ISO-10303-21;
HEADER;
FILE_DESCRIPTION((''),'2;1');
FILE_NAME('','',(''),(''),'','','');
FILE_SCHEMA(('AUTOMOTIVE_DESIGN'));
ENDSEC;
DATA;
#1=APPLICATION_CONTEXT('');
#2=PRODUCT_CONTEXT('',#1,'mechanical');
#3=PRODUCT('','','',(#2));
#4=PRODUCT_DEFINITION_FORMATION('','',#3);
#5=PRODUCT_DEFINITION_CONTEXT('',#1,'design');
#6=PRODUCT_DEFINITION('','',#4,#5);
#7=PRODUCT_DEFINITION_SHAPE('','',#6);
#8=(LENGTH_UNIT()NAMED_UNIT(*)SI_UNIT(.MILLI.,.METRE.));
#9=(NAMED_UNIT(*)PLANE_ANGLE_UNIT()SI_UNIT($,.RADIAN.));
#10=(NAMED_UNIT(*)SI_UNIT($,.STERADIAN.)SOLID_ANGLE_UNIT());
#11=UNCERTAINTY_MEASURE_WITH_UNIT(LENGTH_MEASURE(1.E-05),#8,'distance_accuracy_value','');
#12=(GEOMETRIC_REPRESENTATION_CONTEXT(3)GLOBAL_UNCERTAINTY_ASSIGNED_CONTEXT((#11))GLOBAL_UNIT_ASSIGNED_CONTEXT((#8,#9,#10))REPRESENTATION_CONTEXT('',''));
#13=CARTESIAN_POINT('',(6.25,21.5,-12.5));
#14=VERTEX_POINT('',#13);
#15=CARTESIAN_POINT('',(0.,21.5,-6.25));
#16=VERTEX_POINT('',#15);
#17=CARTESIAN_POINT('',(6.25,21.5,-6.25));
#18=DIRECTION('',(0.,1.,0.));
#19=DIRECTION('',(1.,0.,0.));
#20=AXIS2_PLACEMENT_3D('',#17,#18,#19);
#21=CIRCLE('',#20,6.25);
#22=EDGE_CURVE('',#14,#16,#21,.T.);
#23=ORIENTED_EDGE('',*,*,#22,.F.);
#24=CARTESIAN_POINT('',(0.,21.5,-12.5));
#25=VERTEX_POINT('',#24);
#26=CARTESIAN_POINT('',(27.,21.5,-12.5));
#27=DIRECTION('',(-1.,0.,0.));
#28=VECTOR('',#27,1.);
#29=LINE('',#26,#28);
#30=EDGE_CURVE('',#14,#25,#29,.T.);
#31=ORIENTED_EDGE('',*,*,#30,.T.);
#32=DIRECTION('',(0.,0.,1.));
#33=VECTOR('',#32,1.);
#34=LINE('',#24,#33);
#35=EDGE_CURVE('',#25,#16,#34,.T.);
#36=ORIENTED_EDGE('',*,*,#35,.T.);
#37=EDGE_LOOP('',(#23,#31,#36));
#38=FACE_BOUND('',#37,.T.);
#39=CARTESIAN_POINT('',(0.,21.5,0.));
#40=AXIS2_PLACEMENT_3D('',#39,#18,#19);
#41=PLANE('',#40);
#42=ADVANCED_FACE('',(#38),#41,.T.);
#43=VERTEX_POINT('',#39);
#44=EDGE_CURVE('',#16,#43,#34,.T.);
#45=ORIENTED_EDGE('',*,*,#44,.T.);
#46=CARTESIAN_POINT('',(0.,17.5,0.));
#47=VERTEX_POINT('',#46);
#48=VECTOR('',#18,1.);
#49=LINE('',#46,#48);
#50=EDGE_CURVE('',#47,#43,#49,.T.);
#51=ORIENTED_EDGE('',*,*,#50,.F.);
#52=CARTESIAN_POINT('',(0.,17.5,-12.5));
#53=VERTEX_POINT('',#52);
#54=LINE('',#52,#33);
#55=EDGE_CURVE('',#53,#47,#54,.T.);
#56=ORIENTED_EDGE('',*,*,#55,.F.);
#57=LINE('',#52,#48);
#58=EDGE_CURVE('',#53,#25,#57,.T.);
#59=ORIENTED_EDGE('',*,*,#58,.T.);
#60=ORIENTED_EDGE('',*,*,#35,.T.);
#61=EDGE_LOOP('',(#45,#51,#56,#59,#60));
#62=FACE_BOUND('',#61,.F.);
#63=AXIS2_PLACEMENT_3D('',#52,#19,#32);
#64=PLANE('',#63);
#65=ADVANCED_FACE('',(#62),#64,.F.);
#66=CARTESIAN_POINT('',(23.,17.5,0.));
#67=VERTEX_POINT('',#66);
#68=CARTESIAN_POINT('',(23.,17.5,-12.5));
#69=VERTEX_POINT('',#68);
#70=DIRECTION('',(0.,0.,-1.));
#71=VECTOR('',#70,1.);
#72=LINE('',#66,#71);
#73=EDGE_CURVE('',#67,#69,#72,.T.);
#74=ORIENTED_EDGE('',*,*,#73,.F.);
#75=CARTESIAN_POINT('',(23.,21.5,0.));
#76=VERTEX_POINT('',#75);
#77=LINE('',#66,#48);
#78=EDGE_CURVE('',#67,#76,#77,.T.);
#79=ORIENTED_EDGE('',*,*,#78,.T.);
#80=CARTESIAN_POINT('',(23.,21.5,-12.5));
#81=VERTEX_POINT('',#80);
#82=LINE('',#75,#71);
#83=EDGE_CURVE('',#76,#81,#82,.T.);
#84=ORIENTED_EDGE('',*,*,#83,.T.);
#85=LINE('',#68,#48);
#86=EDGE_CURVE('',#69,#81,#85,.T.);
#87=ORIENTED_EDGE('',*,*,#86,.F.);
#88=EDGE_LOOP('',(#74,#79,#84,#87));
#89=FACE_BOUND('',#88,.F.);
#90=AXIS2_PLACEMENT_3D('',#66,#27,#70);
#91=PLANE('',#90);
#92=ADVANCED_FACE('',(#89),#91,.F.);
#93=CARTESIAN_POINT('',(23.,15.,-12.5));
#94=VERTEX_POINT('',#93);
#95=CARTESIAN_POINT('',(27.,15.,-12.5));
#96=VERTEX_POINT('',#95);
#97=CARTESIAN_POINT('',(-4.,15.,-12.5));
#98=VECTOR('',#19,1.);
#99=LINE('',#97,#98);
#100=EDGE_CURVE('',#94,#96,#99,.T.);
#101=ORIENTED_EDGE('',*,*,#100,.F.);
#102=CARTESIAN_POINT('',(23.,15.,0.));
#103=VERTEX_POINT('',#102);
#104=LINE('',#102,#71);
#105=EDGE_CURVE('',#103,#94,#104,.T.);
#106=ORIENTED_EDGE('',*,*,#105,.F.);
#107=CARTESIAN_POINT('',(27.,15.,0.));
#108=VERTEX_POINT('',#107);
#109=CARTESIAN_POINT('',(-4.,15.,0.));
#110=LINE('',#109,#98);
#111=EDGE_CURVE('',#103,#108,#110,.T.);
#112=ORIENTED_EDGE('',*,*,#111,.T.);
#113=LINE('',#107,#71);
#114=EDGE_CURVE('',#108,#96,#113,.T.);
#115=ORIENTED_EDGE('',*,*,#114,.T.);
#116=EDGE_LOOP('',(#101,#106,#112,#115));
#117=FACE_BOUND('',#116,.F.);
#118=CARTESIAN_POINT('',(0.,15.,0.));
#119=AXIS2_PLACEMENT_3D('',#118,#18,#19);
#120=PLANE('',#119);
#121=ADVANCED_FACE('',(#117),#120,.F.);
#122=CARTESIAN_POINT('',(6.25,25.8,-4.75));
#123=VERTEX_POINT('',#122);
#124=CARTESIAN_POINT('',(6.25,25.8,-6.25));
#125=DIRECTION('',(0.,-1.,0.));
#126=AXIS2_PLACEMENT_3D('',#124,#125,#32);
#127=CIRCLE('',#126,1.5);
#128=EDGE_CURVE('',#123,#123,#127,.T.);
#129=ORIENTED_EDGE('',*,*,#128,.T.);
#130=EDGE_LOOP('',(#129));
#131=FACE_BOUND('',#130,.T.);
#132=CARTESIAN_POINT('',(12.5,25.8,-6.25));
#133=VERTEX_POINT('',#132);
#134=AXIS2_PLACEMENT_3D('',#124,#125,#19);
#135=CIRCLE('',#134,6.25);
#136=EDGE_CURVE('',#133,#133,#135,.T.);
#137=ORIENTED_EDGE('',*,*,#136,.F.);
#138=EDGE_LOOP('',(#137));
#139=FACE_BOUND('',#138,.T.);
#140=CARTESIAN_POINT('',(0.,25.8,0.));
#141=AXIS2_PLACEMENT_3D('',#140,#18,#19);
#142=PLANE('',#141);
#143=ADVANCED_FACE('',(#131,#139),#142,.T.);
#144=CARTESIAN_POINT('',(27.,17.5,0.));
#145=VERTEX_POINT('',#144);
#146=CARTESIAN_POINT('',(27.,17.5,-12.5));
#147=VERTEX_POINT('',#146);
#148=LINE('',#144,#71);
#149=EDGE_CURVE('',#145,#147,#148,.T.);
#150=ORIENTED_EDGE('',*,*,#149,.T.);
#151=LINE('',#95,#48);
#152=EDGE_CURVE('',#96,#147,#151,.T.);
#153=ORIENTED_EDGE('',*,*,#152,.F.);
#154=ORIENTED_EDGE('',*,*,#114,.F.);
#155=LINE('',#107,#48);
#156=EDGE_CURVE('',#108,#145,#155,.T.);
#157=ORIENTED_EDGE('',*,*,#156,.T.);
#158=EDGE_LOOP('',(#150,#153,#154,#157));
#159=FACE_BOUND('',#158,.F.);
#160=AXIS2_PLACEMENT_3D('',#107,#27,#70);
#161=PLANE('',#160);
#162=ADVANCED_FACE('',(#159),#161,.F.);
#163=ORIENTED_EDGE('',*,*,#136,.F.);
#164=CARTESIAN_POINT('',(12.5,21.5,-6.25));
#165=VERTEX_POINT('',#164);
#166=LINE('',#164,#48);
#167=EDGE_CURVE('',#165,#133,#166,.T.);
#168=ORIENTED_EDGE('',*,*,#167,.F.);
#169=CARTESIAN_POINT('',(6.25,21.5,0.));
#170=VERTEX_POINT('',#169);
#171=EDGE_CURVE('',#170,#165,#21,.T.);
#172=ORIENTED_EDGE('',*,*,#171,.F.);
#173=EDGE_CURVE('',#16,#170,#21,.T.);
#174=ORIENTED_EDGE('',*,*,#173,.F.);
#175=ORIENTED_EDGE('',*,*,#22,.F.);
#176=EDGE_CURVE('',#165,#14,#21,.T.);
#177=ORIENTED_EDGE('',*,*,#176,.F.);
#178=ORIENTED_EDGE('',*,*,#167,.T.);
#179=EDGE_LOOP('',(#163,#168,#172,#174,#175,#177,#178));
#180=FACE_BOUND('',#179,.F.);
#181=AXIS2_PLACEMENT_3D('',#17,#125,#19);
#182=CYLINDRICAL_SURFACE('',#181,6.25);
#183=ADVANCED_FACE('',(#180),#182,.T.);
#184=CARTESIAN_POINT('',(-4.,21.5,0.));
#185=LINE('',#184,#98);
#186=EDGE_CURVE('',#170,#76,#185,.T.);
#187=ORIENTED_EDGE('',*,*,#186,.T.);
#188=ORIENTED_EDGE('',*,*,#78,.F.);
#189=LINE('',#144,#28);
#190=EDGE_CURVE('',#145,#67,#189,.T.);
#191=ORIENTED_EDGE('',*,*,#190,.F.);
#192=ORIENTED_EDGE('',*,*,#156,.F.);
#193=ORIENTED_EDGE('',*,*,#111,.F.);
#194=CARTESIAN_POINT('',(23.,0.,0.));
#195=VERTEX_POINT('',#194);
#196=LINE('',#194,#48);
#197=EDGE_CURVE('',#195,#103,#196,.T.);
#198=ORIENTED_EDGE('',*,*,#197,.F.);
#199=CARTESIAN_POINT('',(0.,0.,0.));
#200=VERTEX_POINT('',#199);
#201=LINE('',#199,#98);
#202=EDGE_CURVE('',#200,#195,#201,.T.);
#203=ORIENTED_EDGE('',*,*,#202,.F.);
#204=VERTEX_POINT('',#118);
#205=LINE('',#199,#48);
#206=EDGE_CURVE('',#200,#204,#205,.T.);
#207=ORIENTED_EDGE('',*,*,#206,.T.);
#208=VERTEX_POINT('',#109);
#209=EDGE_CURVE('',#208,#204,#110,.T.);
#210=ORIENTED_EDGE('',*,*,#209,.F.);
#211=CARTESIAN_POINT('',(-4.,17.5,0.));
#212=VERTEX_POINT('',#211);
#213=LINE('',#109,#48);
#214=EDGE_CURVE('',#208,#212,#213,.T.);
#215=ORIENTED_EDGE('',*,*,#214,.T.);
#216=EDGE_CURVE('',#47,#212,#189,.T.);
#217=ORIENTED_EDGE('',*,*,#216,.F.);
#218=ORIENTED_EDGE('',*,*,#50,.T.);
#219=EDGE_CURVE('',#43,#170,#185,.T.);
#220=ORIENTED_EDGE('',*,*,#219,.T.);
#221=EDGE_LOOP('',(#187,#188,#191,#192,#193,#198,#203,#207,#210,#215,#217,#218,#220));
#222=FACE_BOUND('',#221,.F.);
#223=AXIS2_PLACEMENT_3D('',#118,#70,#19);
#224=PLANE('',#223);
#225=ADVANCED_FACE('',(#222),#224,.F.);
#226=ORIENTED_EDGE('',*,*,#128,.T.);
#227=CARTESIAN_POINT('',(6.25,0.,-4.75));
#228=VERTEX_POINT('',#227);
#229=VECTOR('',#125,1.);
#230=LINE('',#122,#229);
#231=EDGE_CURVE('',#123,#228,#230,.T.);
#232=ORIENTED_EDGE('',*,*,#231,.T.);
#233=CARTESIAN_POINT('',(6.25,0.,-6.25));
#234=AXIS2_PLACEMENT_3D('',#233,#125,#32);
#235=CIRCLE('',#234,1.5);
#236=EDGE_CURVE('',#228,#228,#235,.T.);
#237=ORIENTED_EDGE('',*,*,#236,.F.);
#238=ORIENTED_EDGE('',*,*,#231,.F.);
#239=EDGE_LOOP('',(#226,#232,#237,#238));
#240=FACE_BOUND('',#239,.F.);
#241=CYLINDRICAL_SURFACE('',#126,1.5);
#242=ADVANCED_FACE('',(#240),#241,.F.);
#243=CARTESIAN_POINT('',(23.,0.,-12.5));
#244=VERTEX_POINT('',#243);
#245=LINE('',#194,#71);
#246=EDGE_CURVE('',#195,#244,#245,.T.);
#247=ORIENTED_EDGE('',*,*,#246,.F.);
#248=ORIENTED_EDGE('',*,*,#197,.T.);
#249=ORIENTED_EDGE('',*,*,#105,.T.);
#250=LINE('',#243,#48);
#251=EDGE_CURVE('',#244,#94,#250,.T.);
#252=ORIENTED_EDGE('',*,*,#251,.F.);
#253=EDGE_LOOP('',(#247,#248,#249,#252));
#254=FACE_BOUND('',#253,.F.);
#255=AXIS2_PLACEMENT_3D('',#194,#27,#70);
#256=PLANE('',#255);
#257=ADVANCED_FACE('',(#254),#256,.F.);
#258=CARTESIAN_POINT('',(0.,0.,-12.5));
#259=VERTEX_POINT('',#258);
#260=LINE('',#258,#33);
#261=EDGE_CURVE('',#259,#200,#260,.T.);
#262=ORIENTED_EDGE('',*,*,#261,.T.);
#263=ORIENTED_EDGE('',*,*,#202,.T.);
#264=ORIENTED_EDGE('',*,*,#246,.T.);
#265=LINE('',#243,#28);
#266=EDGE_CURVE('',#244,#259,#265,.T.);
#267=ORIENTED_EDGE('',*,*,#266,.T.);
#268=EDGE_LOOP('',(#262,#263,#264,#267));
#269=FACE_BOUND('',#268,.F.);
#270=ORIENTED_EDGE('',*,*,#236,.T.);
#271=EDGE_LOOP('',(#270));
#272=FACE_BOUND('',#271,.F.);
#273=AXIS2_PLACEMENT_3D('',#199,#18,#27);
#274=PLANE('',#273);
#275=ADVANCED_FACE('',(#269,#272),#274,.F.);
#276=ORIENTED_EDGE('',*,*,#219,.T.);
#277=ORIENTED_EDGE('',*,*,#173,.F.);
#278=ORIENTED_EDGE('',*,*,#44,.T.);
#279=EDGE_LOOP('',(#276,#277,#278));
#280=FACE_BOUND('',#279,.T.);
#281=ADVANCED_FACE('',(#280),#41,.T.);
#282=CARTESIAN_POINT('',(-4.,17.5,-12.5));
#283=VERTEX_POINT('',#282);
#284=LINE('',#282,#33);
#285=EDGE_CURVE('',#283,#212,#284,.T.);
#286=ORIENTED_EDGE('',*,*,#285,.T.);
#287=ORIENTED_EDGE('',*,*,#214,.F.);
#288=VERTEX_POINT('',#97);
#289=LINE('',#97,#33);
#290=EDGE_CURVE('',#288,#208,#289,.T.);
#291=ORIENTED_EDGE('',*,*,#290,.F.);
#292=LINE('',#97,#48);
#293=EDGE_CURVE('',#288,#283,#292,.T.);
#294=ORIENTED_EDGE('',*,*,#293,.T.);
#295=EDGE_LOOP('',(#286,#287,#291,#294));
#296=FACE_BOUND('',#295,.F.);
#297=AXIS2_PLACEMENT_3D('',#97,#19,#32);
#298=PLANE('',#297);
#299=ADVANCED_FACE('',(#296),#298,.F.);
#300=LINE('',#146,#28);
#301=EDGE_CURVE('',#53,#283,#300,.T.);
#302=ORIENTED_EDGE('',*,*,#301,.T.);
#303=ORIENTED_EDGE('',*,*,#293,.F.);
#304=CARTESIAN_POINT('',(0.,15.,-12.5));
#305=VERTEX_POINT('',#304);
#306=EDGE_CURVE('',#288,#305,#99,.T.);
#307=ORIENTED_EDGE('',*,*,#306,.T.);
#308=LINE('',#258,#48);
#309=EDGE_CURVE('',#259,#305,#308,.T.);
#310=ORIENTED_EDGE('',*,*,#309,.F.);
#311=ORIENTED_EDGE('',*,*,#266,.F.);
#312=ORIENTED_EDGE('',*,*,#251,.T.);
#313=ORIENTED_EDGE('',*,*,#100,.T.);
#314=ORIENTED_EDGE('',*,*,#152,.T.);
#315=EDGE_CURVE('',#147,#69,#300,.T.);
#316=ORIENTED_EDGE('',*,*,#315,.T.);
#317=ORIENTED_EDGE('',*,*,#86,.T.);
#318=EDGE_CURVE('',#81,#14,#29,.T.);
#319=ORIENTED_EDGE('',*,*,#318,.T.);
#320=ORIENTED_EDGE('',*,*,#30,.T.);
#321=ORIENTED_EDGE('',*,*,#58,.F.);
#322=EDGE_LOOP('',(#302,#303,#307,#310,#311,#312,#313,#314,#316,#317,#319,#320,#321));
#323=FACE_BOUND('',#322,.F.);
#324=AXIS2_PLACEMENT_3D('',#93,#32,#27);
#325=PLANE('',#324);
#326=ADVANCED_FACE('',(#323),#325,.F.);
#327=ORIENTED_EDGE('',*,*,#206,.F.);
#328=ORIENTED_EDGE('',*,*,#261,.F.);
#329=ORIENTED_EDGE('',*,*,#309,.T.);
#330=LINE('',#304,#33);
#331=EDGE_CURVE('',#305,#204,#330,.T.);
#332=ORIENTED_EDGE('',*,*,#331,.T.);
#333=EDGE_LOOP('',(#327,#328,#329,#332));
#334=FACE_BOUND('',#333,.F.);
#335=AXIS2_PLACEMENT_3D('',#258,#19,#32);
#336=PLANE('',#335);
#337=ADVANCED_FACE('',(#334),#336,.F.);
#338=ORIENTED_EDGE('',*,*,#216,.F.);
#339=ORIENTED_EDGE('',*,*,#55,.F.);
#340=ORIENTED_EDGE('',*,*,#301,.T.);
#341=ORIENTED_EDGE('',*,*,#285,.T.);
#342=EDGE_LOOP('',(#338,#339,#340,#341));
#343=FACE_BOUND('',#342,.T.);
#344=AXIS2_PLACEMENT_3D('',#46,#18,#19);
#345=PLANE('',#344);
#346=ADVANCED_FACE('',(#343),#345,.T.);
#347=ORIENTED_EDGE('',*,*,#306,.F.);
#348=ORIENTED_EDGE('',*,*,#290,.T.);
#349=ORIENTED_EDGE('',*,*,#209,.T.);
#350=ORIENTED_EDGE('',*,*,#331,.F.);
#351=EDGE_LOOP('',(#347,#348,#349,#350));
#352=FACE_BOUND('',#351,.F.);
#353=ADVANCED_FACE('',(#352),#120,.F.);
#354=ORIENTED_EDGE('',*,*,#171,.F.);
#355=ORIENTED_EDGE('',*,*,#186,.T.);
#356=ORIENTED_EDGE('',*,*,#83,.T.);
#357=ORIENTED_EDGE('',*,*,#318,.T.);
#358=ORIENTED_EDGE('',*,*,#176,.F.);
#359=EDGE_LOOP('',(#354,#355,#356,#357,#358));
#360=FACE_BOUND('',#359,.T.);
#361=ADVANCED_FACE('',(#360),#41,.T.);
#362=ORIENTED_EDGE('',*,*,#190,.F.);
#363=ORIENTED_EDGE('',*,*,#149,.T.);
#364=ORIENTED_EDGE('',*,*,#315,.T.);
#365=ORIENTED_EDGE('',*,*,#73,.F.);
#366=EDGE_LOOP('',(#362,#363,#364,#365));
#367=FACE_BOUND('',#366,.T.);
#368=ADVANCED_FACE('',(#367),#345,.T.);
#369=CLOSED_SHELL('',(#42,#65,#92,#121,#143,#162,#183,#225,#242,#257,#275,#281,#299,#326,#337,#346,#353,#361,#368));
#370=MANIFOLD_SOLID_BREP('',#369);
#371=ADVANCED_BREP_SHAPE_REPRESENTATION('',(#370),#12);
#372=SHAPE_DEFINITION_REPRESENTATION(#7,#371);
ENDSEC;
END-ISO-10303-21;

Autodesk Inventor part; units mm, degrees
ref_plane "YZ Plane" through (0, 0, 0) normal (1, 0, 0) x (0, 1, 0)
ref_plane "XZ Plane" through (0, 0, 0) normal (0, 1, 0) x (-1, 0, 0)
ref_plane "XY Plane" through (0, 0, 0) normal (0, 0, 1) x (1, 0, 0)
sketch "スケッチ1" plane through (0, 0, 0) normal (0, 1, 0) x (-1, 0, 0)
  line L0 (0, 0) -> (-23, 0)
  line L1 (-23, 0) -> (-23, -12.5)
  line L2 (-23, -12.5) -> (0, -12.5)
  line L3 (0, -12.5) -> (0, 0)
  dimension "d0" = 23
  dimension "d1" = 12.5
extrude "押し出し1" add sketch "スケッチ1" along normal blind 15
sketch "スケッチ2" plane through (0, 15, 0) normal (0, 1, 0) x (1, 0, 0)
  line L0 (23, 0) -> (23, 12.5) projected
  line L1 (23, 12.5) -> (0, 12.5) projected
  line L2 (0, 12.5) -> (0, 0) projected
  line L3 (0, 0) -> (23, 0) projected
  line L4 (-4, 0) -> (27, 0)
  line L5 (27, 0) -> (27, 12.5)
  line L6 (27, 12.5) -> (-4, 12.5)
  line L7 (-4, 12.5) -> (-4, 0)
  dimension "d4" = 4
  dimension "d5" = 4
extrude "押し出し2" add sketch "スケッチ2" along normal blind 2.5
sketch "スケッチ3" plane through (0, 17.5, 0) normal (0, 1, 0) x (1, 0, 0)
  line L0 (-4, 0) -> (27, 0) projected
  line L1 (27, 12.5) -> (-4, 12.5) projected
  line L2 (0, 12.5) -> (0, 0) projected
  line L3 (23, 0) -> (23, 12.5) projected
extrude "押し出し3" add sketch "スケッチ3" along normal blind 4
sketch "スケッチ4" plane through (0, 21.5, 0) normal (0, 1, 0) x (1, 0, 0)
  line L0 (23, 12.5) -> (0, 12.5) projected
  line L1 (0, 12.5) -> (0, 0) projected
  line L2 (0, 0) -> (23, 0) projected
  circle A0 centre (6.25, 6.25) radius 6.25
extrude "押し出し4" add sketch "スケッチ4" along normal blind 4.3 contours A0
sketch "スケッチ5" plane through (6.25, 25.8, -6.25) normal (0, 1, 0) x (1, 0, 0)
  circle A0 centre (0, 0) radius 6.25 projected
  point P0 (-6.25, -6.25)
hole "穴1" at (6.25, 25.8, -6.25) direction (0, -1, 0) diameter 3 end through all
equation "\"d5\" = d4"
properties part number "ServoMotor_10g"
